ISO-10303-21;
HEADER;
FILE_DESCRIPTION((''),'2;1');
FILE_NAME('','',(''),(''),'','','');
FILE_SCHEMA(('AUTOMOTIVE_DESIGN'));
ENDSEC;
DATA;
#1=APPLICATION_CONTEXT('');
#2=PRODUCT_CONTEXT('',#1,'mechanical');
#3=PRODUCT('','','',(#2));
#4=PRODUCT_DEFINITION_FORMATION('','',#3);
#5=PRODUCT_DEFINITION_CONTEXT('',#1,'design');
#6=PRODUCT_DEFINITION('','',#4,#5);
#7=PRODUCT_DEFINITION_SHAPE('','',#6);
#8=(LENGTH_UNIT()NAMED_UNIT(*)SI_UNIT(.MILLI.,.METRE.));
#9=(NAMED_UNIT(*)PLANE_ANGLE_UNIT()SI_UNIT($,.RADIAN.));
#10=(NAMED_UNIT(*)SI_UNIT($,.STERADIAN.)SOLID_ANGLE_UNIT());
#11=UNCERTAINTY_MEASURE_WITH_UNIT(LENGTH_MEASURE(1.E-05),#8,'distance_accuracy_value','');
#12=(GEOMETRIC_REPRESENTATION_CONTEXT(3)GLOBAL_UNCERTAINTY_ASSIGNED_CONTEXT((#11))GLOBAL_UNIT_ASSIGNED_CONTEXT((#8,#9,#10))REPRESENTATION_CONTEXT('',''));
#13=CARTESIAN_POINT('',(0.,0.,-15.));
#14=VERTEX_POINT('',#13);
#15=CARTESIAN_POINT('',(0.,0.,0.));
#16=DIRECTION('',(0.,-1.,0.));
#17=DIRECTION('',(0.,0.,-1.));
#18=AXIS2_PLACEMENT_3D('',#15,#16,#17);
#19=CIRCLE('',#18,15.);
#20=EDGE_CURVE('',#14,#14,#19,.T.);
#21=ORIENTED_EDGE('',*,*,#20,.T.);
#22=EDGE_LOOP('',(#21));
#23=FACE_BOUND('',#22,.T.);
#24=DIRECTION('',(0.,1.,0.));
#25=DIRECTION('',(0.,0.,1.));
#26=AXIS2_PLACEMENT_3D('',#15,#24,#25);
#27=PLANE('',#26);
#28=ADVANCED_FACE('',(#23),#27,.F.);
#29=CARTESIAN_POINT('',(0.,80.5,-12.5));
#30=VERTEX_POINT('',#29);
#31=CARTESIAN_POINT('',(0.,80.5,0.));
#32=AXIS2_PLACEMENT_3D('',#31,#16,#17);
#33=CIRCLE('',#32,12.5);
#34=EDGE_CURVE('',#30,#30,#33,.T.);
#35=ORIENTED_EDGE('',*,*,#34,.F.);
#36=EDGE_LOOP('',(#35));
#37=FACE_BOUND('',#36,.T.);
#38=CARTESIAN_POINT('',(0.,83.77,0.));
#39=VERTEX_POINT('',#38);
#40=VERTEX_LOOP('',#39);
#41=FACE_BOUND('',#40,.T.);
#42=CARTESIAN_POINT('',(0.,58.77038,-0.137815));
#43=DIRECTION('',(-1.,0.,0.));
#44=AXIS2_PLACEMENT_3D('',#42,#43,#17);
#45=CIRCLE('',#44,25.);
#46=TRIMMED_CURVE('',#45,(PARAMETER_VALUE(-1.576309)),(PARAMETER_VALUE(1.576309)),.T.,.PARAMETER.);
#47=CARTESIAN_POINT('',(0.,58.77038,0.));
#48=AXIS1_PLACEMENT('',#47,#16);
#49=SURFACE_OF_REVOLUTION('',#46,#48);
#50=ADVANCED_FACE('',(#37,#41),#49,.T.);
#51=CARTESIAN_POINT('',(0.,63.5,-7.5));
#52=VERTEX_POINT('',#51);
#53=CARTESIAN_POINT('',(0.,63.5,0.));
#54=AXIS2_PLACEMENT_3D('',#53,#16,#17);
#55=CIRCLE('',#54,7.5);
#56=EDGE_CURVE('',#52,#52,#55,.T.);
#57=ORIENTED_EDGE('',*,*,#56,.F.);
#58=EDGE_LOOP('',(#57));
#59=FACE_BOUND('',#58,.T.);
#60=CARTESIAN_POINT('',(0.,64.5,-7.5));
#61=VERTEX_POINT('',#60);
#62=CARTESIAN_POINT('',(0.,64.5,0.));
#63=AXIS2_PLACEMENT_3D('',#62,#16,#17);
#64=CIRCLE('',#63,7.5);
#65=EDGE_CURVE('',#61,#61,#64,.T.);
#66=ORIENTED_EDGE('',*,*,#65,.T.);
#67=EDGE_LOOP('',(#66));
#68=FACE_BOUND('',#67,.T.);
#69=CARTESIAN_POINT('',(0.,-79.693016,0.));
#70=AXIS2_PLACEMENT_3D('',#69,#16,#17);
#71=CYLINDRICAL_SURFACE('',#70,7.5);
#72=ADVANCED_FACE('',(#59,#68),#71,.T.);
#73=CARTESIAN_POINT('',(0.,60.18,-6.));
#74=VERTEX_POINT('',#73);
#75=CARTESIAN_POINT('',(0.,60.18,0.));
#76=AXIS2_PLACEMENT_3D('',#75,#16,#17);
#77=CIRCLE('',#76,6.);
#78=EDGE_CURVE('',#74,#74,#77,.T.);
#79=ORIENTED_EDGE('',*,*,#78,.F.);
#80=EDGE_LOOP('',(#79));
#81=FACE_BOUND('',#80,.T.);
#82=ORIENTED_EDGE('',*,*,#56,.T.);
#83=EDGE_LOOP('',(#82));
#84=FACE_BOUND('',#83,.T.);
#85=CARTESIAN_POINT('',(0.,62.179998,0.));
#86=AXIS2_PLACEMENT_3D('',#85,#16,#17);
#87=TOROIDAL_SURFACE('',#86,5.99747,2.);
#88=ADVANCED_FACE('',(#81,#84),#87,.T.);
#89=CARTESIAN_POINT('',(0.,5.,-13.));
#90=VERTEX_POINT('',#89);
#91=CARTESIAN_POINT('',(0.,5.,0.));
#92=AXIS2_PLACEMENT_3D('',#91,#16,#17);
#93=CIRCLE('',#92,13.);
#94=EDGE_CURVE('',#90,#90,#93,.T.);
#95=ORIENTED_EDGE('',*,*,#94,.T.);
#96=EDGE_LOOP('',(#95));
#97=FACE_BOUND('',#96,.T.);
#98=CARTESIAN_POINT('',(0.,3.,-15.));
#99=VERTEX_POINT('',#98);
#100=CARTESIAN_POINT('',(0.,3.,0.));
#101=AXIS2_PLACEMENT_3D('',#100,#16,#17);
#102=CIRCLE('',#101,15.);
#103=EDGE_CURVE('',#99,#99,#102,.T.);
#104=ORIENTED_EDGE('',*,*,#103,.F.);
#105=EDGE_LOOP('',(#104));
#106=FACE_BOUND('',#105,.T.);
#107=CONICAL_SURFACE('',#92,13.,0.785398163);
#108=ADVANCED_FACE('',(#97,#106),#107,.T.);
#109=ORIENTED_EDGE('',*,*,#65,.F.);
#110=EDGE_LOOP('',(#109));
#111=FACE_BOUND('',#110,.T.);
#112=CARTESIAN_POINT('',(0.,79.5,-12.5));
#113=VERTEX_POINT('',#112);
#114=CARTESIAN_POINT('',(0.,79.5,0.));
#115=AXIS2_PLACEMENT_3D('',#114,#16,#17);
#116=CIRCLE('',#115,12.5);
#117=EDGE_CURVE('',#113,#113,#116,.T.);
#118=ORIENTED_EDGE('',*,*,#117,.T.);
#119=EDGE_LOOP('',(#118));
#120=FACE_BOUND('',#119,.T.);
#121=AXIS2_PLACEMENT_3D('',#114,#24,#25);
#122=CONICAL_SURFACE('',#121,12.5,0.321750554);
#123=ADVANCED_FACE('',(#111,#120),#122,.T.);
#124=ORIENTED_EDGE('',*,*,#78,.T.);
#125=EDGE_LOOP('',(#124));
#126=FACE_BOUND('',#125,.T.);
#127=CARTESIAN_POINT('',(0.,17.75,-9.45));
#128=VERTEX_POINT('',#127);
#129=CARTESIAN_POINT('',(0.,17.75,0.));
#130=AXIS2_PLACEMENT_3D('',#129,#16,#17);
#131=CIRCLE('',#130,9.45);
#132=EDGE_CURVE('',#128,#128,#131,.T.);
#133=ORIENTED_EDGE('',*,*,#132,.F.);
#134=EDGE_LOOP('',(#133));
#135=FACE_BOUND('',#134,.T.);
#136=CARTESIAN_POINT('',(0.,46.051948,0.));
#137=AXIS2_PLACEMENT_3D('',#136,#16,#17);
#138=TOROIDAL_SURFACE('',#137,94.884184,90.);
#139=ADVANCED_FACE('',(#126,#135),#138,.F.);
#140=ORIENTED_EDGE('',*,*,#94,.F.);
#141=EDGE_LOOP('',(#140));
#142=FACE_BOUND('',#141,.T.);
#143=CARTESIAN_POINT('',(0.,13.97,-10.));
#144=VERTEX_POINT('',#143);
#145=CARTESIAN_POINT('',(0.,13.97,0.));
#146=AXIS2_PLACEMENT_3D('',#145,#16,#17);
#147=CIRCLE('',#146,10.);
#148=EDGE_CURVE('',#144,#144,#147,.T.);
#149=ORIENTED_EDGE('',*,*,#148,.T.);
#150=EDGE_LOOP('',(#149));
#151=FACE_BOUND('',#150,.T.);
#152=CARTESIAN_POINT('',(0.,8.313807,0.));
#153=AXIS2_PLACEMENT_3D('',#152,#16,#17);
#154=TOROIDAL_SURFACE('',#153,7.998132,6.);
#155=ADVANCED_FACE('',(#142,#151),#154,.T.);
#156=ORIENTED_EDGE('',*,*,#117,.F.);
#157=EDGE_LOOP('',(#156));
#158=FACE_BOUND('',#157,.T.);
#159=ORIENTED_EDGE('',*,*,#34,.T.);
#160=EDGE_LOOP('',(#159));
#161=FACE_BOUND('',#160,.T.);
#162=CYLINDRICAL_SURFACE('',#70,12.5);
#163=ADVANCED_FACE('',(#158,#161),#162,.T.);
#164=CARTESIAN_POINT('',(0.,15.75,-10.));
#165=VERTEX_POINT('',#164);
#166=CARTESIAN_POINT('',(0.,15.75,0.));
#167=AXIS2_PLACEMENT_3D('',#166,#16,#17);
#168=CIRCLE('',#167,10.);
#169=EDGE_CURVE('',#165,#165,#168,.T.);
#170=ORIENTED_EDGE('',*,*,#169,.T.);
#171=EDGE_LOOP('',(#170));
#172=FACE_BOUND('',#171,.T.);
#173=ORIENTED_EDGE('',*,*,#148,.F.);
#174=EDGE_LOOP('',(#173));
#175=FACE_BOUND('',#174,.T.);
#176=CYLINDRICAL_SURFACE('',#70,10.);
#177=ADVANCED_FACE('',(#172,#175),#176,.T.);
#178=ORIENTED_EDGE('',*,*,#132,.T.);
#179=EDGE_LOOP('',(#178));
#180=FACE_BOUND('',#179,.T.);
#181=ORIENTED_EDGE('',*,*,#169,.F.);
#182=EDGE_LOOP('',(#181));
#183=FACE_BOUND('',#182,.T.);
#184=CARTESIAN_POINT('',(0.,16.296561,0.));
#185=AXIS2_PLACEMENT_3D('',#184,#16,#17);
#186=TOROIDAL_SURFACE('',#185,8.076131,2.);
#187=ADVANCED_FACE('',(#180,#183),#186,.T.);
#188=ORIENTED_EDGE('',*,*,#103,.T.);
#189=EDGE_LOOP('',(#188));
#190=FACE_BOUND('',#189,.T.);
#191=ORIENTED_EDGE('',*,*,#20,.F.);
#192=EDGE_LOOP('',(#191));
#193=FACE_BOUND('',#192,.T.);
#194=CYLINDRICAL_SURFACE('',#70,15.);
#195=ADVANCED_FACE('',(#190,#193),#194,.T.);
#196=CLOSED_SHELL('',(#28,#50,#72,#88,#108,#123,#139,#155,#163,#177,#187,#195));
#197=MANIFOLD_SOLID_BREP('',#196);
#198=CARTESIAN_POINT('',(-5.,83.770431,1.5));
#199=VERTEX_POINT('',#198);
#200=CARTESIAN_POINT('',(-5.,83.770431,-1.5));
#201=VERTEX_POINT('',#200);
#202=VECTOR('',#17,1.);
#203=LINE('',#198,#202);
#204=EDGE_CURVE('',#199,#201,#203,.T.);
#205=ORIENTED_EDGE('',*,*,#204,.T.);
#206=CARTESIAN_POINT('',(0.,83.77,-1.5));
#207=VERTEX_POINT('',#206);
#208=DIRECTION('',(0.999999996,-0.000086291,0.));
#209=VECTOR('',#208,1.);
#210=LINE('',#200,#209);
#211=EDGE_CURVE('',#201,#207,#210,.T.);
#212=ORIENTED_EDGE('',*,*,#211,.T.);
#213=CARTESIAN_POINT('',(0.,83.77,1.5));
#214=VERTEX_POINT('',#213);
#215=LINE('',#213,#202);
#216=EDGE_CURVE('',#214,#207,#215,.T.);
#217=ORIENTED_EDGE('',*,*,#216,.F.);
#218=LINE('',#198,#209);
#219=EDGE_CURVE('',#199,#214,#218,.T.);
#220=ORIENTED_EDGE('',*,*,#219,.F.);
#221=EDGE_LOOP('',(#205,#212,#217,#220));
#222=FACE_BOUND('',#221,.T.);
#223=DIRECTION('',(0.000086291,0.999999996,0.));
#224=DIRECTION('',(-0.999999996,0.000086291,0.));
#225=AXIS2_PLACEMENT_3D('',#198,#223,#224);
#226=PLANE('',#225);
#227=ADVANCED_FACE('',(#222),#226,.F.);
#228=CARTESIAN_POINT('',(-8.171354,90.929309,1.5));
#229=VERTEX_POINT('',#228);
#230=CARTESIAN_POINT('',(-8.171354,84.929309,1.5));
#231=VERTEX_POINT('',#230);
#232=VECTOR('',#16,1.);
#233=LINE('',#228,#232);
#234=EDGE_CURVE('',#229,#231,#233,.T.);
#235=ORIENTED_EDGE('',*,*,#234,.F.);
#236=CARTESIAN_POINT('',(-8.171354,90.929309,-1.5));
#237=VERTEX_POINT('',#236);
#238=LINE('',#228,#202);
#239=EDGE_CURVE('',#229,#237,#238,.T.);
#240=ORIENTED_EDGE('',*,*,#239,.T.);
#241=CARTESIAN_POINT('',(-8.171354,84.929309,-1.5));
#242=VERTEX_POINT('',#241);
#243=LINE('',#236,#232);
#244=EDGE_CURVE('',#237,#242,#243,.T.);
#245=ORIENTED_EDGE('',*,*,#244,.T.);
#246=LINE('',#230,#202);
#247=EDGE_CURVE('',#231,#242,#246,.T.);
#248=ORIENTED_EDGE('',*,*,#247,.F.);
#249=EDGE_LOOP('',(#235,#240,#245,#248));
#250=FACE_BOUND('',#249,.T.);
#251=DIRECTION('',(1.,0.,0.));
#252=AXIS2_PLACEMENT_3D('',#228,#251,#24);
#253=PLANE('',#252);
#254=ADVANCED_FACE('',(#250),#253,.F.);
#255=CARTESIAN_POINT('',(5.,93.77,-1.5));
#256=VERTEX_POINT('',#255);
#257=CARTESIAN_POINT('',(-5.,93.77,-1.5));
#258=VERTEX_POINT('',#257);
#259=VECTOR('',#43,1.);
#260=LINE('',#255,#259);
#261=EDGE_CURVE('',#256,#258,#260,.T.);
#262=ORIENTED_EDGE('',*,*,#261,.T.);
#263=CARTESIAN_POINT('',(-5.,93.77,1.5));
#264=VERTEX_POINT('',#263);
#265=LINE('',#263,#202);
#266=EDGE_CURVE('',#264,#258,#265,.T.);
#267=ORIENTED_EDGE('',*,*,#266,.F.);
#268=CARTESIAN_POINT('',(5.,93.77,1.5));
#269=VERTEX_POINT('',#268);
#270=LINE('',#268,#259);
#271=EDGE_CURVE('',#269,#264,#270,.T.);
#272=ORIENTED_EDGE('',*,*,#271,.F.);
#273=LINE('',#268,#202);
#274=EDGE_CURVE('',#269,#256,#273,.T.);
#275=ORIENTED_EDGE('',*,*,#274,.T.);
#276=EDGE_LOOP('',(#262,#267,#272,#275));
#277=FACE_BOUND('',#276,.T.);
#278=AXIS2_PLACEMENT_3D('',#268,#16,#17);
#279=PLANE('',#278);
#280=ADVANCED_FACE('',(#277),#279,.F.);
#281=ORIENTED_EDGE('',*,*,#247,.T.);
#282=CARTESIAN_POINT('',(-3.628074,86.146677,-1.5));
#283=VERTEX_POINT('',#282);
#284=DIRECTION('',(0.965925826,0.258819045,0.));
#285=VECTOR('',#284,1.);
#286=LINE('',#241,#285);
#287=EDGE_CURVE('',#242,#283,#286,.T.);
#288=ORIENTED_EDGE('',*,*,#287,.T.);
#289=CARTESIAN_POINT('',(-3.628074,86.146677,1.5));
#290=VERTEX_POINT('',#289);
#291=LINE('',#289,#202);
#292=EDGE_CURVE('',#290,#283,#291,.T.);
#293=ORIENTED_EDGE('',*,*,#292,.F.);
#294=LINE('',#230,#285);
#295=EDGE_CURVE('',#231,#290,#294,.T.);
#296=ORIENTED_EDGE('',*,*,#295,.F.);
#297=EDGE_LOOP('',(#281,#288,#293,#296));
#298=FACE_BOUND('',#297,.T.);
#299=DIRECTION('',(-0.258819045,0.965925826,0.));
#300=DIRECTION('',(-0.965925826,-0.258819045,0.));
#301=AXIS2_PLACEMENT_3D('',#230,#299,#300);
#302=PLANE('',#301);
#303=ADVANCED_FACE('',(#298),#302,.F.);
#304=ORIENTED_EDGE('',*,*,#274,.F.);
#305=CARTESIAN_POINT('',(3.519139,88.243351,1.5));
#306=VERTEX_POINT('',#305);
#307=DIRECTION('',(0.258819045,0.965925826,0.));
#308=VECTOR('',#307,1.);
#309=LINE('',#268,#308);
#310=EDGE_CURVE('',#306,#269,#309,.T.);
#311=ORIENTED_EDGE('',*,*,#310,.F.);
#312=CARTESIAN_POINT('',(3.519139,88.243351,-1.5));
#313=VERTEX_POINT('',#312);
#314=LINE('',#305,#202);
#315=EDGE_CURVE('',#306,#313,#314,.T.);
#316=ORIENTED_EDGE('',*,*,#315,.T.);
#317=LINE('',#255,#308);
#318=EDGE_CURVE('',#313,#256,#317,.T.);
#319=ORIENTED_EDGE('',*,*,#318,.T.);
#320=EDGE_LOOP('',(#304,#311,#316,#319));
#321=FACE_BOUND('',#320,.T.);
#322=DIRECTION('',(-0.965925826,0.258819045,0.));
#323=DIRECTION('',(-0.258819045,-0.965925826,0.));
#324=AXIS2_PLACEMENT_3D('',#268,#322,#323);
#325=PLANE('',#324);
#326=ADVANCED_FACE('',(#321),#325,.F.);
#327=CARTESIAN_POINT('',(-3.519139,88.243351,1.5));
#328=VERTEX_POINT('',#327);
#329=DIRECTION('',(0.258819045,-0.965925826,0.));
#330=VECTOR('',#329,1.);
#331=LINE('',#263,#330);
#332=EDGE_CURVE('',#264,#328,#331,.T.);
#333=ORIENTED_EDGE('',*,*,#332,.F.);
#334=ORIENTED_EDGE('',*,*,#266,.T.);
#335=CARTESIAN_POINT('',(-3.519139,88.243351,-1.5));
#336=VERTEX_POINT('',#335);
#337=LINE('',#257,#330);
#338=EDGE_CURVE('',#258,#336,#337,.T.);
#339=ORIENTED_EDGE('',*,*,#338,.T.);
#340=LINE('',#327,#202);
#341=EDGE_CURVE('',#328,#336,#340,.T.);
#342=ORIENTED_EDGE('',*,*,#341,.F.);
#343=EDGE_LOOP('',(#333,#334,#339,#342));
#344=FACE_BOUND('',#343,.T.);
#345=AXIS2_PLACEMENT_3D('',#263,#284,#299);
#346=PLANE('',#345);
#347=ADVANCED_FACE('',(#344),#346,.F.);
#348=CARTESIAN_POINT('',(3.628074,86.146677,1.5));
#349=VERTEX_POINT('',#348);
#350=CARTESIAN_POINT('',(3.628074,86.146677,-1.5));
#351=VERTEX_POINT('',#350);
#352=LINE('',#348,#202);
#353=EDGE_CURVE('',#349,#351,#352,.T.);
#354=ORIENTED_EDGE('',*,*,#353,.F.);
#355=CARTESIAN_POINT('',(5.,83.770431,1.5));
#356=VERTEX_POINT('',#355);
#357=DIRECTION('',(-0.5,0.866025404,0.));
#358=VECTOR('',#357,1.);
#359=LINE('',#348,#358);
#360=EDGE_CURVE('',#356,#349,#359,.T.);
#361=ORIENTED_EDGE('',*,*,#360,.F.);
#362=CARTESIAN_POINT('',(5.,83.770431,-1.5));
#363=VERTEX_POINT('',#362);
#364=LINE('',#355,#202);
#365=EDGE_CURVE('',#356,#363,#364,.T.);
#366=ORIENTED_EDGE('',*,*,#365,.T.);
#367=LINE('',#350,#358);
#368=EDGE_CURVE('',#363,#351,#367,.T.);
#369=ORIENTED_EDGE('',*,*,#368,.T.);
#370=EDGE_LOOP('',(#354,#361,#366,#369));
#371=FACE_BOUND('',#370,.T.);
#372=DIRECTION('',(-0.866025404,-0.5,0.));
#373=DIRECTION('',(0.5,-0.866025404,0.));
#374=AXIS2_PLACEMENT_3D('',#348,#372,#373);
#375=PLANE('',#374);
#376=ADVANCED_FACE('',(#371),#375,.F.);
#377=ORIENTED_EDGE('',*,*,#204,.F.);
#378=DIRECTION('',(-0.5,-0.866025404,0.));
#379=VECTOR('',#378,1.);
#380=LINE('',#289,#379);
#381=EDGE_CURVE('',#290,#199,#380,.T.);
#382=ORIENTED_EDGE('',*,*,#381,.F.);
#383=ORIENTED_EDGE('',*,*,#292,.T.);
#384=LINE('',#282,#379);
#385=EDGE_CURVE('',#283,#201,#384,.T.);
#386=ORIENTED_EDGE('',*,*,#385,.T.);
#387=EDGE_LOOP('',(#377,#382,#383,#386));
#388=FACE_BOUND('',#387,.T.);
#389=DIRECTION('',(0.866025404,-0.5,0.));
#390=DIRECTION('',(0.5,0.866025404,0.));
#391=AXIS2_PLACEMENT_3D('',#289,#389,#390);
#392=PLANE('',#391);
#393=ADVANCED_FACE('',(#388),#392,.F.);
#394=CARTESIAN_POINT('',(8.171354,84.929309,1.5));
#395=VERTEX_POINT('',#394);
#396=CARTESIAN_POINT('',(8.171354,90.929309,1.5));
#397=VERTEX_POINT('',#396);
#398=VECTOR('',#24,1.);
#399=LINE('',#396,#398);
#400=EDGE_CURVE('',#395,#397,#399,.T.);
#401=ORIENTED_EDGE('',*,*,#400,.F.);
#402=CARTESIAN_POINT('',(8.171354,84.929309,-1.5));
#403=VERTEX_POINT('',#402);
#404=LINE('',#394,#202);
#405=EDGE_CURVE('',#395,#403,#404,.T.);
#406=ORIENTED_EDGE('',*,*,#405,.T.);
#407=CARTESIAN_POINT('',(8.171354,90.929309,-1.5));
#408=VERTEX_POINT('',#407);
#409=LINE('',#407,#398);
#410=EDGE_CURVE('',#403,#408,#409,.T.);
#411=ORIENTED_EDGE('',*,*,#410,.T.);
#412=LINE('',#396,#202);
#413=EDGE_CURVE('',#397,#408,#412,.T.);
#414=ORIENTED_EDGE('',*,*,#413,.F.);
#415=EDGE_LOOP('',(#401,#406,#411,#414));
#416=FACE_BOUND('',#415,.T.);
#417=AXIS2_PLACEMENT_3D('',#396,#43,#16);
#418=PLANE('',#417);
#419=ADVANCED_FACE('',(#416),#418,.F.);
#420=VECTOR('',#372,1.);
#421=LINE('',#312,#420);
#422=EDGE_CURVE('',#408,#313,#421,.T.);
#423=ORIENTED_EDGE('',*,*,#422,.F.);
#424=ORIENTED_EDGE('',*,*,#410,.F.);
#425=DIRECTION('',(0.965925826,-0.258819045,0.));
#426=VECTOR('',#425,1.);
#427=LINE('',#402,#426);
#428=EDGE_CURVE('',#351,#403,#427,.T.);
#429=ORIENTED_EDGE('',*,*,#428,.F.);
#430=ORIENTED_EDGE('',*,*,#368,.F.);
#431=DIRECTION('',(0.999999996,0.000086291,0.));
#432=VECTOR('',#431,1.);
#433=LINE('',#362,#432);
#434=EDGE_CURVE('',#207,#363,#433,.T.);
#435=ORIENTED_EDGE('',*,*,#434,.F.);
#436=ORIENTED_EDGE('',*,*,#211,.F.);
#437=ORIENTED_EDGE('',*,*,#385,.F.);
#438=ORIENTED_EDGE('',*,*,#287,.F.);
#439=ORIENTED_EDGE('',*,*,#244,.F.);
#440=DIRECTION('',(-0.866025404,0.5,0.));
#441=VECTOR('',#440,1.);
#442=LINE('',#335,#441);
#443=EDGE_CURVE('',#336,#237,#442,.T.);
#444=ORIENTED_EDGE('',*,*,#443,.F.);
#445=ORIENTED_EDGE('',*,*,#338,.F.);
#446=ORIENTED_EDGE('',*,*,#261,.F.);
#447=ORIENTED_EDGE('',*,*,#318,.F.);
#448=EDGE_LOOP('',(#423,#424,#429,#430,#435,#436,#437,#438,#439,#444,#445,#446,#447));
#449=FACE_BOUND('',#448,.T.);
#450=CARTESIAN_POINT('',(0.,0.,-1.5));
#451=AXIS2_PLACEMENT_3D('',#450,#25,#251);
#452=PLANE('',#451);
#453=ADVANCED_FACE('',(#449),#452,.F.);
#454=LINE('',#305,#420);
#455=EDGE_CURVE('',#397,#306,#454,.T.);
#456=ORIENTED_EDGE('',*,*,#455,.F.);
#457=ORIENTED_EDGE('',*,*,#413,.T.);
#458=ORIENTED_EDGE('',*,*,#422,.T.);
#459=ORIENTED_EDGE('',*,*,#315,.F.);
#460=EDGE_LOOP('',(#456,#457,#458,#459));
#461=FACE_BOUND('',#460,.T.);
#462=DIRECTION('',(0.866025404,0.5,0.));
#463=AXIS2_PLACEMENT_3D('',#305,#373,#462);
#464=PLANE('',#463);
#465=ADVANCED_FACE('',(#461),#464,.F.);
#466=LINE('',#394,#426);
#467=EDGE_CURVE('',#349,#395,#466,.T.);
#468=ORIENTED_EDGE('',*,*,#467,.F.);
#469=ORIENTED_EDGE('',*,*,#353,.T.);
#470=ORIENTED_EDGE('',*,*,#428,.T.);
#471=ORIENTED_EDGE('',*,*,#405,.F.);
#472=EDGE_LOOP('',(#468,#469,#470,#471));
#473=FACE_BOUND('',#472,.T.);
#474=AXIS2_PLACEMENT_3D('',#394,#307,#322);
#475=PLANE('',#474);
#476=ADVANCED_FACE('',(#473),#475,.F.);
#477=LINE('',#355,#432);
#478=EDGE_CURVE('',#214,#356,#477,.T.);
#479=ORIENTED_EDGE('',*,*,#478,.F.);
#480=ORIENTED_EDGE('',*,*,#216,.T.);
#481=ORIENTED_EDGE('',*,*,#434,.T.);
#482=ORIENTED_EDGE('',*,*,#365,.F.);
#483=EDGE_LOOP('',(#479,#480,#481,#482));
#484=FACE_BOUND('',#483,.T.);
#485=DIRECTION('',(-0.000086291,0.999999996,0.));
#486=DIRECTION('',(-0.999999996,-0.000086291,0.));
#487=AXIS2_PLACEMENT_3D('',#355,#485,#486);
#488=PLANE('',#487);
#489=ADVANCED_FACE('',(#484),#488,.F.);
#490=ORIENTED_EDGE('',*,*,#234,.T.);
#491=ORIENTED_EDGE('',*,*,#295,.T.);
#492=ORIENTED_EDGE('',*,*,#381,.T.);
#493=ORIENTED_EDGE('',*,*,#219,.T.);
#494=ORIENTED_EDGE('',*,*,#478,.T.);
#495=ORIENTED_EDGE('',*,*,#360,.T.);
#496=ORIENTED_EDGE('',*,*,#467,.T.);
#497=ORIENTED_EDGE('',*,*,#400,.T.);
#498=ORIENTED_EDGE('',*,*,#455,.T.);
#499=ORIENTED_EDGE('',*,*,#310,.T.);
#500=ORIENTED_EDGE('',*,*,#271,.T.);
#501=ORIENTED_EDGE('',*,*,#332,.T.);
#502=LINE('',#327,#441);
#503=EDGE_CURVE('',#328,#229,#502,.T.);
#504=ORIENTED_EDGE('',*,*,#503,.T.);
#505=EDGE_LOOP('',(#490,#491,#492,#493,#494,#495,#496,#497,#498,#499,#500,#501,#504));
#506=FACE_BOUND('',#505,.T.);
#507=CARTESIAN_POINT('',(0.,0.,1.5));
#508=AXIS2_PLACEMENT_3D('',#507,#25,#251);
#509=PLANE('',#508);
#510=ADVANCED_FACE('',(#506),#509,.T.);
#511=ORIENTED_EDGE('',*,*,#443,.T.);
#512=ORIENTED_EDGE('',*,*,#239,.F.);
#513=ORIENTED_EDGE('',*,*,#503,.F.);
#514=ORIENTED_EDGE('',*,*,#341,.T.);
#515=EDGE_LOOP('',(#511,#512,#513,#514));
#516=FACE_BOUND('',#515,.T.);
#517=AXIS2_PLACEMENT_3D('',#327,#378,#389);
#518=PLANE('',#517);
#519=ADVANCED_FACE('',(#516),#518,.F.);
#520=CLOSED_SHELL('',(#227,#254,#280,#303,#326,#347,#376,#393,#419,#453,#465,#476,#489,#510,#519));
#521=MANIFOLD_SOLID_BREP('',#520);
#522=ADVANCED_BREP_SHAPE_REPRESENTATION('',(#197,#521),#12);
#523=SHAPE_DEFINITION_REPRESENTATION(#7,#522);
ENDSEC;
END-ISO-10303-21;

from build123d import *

# Parameters (mm, degrees)
BOSS_EXTRUDE1_DEPTH = 1.5


with BuildPart() as part:
    # Sketch2 → Revolve2 (revolve)
    with BuildSketch(Plane.XY):
        with BuildLine():
            Line((0, 0), (-15, 0))
            Line((-15, 0), (-15, 3))
            Line((-15, 3), (-13, 5))
            ThreePointArc((-13, 5), (-13.688325627, 10.216881481), (-10, 13.97))
            Line((-10, 13.97), (-10, 15.75))
            ThreePointArc((-10, 15.75), (-10.004542035, 16.82687406), (-9.45, 17.75))
            ThreePointArc((-9.45, 17.75), (-5.180228784, 38.758083651), (-6, 60.18))
            ThreePointArc((-6, 60.18), (-7.820078528, 61.356530786), (-7.5, 63.5))
            Line((-7.5, 63.5), (-7.5, 64.5))
            Line((-7.5, 64.5), (-12.5, 79.5))
            Line((-12.5, 79.5), (-12.5, 80.5))
            ThreePointArc((-12.5, 80.5), (-6.464902058, 82.956491046), (0, 83.77))
            Line((0, 83.77), (0, 0))
        make_face()
    revolve(axis=Axis((0, -79.69301575, 0), (0, 1, 0)))


with BuildPart() as body_2:
    # Sketch3 → Boss-Extrude1 (new body, symmetric)
    with BuildSketch(Plane.XY):
        Polygon((5, 93.77), (-5, 93.77), (-3.519138795, 88.243350745), (-8.171354159, 90.929308538), (-8.171354159, 84.929308538), (-3.628074115, 86.146676757), (-4.999999981, 83.770431453), (0, 83.77), (4.999999981, 83.770431453), (3.628074115, 86.146676757), (8.171354159, 84.929308538), (8.171354159, 90.929308538), (3.519138795, 88.243350745), align=None)
    extrude(amount=BOSS_EXTRUDE1_DEPTH, both=True)


solid = Compound([part.part, body_2.part])
